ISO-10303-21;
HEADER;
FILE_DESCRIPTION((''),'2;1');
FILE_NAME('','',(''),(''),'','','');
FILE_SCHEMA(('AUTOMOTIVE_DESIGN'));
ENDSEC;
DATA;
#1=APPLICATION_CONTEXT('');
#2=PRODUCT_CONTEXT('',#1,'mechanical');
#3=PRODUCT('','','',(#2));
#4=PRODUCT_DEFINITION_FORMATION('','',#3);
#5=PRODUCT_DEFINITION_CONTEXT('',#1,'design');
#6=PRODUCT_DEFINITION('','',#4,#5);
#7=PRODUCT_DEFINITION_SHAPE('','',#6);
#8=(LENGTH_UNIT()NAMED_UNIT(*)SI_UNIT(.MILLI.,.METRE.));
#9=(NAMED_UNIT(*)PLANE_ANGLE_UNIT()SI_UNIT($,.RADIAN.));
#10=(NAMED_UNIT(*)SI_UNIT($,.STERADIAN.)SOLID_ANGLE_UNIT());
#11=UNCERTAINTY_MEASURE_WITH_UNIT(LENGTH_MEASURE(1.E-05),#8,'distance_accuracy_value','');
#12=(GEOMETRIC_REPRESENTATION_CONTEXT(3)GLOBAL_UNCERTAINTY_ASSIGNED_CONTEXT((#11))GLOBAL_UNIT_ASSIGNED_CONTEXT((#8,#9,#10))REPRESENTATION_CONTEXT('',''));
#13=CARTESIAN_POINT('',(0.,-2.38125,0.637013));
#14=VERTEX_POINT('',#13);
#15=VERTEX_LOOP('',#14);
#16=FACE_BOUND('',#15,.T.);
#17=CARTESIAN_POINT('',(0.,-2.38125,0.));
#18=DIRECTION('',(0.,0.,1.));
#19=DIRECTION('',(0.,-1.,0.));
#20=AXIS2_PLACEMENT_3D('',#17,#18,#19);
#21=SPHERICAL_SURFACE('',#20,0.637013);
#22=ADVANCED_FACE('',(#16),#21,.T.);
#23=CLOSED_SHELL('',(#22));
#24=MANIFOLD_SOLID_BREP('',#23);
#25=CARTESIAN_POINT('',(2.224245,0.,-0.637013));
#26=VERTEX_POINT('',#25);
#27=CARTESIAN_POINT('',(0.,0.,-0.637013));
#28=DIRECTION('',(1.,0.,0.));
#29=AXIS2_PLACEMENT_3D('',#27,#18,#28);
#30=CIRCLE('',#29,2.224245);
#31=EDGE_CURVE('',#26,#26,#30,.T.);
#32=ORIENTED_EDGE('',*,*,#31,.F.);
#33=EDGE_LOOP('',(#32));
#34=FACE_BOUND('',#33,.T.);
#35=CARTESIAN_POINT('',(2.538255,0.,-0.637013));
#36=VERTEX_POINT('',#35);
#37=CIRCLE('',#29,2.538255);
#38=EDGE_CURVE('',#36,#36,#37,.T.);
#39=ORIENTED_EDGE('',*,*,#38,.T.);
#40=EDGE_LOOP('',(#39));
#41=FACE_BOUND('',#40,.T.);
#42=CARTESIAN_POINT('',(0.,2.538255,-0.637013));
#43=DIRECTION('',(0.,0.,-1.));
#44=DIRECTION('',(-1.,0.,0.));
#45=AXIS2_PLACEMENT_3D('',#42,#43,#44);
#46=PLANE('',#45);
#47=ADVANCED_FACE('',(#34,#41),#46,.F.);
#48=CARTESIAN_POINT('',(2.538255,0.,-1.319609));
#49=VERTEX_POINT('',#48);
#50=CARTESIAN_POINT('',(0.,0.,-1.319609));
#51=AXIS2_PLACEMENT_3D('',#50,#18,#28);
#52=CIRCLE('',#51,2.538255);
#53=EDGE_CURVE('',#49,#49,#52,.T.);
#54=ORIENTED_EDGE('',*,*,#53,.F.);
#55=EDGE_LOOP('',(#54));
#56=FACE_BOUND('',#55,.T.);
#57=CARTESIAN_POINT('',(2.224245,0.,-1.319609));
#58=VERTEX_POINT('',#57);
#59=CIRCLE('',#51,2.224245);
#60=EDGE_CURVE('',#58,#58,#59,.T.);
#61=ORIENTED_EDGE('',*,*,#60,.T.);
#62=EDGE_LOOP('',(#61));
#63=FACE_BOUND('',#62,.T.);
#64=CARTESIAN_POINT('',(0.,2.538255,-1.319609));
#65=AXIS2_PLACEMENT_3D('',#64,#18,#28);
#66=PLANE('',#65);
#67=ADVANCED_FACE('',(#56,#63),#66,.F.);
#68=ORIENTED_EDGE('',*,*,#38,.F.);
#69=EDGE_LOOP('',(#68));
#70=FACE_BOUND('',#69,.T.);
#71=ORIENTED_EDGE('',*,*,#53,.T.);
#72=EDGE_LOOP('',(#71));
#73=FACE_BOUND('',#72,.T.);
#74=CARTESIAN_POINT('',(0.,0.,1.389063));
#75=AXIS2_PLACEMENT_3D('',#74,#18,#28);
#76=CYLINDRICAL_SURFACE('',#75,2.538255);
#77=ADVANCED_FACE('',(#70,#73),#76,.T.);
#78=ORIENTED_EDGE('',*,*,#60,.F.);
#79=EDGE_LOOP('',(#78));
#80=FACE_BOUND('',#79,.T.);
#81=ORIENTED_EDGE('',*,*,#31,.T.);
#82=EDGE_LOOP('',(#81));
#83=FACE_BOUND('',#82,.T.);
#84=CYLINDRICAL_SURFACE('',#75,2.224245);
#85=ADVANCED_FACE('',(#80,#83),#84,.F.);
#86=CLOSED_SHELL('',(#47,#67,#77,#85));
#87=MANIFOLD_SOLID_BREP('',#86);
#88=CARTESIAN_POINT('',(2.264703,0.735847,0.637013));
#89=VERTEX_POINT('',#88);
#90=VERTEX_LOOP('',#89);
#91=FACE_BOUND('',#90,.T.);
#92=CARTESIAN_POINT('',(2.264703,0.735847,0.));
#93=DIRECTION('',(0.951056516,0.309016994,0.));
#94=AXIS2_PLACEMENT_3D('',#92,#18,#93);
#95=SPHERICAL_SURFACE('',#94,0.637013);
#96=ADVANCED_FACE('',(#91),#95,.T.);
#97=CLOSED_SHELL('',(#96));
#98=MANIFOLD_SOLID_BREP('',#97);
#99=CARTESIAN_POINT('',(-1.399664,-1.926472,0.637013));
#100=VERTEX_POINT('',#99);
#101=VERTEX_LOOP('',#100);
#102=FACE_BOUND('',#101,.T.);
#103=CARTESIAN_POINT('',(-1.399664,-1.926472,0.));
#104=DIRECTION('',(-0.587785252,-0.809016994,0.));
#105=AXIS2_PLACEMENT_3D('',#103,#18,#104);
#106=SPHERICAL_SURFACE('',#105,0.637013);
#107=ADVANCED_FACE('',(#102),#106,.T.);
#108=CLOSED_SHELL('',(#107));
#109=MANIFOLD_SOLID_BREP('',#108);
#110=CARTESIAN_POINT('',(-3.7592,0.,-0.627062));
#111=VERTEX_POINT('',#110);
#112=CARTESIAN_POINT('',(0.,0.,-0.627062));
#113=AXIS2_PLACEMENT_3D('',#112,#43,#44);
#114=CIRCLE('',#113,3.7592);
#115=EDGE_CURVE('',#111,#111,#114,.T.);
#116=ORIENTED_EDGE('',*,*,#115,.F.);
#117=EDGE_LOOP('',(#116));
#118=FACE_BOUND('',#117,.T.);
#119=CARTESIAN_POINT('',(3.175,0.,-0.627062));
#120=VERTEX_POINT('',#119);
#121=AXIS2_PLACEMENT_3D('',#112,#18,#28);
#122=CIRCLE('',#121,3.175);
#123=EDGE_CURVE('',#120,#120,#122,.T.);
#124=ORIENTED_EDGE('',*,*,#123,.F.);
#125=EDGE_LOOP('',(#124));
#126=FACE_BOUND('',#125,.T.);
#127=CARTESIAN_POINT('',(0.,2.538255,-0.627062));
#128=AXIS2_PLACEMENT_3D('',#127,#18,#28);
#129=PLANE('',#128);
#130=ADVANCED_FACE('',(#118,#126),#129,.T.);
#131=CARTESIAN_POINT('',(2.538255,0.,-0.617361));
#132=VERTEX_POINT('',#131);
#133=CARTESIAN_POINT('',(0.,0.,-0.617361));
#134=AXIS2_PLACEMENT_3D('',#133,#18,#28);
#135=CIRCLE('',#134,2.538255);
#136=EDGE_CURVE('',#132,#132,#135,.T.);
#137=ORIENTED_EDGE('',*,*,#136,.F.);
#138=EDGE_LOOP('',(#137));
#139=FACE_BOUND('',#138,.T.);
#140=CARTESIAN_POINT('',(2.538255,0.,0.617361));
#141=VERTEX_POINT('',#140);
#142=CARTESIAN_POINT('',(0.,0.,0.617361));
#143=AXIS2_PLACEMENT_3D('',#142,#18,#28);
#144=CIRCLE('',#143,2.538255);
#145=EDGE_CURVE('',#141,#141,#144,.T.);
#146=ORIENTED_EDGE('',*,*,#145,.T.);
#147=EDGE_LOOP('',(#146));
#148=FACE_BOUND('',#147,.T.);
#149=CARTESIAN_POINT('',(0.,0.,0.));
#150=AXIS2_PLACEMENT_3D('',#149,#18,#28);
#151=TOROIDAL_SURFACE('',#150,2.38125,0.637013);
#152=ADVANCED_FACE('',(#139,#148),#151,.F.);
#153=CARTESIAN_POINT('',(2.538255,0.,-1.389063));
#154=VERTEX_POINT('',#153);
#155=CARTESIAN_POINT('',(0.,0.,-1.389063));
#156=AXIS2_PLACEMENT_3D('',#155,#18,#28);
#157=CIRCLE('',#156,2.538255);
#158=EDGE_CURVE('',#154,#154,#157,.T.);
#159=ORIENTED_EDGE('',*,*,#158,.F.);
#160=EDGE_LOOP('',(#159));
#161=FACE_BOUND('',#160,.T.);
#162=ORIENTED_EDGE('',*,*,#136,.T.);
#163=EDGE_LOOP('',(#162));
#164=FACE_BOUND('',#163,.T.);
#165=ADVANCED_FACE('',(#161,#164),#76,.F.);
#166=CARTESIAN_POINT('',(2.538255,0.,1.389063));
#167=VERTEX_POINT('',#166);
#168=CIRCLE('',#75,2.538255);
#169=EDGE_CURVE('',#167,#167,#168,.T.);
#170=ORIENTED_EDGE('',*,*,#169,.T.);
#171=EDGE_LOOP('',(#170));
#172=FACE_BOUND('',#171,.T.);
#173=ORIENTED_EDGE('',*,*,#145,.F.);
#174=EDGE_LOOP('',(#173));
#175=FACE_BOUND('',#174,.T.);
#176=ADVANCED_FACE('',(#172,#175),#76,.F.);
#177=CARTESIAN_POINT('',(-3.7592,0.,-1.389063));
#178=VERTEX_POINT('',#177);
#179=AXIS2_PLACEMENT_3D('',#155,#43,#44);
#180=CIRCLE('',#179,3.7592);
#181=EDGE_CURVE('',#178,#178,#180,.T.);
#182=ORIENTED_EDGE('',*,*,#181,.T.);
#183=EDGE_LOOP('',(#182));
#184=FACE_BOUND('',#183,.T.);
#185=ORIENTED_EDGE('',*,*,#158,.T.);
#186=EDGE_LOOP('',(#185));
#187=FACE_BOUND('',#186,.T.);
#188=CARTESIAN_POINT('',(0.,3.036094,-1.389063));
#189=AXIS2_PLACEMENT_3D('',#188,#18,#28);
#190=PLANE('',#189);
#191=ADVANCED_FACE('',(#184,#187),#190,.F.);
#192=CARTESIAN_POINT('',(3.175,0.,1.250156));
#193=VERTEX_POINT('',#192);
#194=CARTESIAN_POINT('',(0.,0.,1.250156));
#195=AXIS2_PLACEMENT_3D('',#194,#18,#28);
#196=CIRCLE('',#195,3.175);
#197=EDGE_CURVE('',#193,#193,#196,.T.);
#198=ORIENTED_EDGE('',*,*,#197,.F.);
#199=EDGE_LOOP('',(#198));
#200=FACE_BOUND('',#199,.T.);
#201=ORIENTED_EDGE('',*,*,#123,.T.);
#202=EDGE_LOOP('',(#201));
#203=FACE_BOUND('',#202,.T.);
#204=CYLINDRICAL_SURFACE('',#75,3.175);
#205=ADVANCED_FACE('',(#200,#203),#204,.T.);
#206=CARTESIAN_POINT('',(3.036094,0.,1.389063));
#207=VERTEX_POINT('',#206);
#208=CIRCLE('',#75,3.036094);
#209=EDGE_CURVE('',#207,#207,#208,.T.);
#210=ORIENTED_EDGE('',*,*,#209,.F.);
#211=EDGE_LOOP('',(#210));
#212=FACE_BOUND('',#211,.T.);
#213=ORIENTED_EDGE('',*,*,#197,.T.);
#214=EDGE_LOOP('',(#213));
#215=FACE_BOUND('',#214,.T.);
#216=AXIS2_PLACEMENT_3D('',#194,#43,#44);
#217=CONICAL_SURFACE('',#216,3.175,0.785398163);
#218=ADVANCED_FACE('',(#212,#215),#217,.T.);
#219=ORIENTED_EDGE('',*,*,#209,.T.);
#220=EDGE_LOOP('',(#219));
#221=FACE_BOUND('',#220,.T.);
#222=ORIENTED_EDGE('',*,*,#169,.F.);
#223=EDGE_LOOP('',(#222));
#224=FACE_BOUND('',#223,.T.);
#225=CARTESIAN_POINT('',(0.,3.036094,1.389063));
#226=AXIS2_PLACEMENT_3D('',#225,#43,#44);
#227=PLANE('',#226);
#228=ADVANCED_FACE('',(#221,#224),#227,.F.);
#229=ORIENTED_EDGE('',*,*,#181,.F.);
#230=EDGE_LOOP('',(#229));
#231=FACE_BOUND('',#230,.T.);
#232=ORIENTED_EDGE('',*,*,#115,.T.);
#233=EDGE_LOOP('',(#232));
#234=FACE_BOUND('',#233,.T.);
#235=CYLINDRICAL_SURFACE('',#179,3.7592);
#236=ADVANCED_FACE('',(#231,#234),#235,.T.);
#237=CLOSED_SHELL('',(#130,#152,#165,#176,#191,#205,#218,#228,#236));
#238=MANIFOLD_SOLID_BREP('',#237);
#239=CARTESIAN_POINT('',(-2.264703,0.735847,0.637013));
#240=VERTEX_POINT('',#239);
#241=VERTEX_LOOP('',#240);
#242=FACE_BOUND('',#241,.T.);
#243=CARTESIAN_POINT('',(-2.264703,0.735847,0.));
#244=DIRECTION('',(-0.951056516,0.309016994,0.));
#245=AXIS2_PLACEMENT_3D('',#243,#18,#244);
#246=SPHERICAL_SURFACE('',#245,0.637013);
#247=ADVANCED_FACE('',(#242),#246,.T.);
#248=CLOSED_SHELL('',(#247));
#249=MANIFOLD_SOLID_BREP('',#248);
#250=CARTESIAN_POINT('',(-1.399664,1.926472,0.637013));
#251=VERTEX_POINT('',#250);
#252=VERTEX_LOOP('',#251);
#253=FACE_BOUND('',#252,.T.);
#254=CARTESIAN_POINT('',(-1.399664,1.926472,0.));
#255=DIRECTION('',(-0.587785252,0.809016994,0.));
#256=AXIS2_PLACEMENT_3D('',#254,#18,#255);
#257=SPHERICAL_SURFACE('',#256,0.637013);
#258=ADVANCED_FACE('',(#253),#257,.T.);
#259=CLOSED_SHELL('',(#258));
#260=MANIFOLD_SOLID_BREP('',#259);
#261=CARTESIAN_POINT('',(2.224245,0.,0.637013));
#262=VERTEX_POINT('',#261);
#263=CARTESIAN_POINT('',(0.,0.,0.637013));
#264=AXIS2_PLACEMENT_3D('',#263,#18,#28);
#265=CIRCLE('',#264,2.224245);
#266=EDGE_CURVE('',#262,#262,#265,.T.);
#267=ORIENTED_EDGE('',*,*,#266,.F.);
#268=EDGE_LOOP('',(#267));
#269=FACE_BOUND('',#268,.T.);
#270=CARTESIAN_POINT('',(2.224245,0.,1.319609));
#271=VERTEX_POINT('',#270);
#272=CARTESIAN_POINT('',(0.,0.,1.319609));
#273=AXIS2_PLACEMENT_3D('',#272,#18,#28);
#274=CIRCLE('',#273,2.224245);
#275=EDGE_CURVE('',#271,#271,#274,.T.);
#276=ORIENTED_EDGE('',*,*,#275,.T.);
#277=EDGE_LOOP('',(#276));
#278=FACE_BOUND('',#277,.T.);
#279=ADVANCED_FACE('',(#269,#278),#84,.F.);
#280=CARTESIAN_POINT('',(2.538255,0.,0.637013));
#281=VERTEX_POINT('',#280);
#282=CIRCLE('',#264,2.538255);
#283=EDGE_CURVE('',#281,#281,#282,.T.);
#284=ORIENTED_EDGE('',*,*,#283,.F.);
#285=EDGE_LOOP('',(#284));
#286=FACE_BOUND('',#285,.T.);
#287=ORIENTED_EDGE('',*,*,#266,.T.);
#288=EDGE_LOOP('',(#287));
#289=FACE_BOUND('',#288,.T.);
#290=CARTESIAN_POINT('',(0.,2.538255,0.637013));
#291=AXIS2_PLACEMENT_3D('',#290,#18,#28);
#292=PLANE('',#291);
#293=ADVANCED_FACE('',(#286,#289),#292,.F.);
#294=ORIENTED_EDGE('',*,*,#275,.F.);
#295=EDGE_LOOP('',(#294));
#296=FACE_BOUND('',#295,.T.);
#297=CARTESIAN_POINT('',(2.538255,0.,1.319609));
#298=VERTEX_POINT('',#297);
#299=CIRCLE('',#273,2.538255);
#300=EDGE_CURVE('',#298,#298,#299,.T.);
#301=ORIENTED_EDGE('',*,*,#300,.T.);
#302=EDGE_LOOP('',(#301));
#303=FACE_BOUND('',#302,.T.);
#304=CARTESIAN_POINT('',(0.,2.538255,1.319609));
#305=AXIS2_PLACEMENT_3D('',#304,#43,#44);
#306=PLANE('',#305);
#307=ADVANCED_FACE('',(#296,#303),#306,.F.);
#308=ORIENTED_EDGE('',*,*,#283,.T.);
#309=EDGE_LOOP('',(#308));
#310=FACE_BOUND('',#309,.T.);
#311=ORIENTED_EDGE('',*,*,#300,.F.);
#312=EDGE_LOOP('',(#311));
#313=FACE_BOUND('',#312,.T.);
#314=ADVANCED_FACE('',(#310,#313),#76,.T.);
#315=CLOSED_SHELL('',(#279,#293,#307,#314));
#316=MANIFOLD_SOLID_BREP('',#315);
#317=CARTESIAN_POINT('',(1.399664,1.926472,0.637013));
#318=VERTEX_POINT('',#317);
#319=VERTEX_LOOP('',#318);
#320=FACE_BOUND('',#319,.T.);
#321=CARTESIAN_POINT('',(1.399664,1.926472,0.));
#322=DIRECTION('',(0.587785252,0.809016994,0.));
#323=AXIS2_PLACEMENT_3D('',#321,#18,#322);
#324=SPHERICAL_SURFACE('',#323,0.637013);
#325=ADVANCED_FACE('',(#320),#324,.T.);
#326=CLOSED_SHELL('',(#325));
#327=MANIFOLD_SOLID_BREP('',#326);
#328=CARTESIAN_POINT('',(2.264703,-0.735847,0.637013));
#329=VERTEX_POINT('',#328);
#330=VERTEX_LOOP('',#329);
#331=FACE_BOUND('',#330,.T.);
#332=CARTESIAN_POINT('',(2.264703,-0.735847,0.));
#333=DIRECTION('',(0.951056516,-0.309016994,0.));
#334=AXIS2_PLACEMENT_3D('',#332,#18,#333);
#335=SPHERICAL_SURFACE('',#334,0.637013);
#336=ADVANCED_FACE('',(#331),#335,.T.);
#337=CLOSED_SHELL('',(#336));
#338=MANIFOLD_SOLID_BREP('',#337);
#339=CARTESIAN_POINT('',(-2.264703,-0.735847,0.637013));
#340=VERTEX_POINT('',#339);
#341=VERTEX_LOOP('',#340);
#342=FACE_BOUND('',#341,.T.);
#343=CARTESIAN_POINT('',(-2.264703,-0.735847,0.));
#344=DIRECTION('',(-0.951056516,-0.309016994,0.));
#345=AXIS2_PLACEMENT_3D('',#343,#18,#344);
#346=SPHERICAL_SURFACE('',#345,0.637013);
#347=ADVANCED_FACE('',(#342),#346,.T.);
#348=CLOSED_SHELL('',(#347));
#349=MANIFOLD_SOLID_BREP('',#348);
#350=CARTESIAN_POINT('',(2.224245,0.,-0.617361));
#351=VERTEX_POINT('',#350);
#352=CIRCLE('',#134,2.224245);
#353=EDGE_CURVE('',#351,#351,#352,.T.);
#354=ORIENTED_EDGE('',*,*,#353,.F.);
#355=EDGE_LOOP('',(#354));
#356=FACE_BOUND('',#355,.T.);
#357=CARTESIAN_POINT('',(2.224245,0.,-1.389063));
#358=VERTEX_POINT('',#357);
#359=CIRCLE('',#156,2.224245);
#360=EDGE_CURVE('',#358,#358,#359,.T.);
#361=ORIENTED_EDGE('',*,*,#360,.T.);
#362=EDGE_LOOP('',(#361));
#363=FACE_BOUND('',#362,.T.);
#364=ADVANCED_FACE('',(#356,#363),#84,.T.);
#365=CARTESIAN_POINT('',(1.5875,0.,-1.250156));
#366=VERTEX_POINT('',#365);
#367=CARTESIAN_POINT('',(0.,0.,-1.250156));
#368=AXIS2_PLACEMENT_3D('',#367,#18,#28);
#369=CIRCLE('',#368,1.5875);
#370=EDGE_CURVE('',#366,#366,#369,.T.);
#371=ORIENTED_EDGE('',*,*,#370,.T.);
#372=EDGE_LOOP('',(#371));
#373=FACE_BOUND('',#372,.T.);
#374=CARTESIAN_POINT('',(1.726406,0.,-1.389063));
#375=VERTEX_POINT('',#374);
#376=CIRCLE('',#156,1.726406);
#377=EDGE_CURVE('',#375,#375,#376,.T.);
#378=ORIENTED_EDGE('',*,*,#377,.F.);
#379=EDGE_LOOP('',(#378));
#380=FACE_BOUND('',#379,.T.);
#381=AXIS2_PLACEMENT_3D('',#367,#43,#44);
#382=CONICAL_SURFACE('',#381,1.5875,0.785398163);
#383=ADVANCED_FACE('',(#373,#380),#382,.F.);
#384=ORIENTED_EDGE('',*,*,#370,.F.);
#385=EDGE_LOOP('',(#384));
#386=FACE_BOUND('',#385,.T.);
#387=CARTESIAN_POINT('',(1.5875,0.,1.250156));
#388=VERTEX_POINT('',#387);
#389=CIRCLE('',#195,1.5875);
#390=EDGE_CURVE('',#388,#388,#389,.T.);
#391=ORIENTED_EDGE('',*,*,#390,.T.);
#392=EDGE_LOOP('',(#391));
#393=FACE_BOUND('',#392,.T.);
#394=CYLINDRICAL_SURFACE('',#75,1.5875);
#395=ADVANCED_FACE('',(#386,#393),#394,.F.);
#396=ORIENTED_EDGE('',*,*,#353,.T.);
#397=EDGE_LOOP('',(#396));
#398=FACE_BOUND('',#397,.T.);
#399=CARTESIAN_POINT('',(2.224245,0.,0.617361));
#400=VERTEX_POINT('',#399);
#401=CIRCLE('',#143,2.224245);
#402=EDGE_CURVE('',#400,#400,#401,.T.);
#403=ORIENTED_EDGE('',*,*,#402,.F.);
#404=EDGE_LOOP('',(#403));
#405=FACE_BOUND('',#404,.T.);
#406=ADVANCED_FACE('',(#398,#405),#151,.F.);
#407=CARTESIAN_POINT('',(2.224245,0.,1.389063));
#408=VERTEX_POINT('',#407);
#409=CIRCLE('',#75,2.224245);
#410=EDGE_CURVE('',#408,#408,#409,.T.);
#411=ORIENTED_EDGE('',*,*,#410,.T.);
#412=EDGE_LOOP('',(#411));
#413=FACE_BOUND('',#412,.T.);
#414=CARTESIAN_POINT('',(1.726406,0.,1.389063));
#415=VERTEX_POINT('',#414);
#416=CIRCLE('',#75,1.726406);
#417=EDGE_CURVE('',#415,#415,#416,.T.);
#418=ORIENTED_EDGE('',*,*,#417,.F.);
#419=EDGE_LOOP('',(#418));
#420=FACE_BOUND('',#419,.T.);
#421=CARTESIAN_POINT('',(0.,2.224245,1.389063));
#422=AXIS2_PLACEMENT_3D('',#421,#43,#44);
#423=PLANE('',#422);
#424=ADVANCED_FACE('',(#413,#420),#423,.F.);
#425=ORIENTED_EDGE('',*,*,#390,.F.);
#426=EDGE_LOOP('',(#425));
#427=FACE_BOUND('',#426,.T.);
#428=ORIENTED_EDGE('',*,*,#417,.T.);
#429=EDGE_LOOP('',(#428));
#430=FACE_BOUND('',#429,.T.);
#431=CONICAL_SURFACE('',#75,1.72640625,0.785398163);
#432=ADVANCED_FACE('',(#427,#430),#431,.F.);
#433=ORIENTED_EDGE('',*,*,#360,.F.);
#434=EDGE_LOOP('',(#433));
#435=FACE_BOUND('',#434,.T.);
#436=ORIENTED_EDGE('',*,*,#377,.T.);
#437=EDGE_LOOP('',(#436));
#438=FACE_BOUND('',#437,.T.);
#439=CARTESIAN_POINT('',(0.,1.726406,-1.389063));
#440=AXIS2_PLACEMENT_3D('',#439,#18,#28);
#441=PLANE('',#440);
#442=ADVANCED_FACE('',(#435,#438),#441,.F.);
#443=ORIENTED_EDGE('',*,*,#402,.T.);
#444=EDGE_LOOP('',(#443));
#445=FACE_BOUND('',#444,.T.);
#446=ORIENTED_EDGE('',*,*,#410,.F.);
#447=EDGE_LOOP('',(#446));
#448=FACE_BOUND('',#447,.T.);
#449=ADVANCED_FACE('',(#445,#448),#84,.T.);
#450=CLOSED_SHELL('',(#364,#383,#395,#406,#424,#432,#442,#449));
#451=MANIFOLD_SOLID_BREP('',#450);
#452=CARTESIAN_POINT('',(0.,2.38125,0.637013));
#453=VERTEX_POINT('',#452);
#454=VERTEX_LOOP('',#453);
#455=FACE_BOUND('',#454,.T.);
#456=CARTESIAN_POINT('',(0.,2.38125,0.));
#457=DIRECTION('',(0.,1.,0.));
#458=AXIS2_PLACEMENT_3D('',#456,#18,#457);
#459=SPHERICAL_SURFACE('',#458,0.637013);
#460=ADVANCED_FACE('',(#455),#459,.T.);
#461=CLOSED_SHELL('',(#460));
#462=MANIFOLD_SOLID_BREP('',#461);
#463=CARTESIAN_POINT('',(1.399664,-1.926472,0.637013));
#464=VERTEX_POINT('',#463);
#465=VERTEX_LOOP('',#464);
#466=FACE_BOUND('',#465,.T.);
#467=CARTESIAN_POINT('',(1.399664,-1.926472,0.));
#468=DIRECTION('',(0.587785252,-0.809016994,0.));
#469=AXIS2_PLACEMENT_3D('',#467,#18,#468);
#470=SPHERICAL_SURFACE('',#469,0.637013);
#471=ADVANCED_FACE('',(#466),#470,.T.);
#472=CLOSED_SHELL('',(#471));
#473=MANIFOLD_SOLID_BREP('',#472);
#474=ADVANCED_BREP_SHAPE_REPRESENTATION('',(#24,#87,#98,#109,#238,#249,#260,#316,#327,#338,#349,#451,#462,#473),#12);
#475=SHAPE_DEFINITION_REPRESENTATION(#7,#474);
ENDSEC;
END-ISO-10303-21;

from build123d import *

# Parameters (mm, degrees)
CIRPATTERN1_COUNT = 10
SKETCH5_W         = 0.68259645
SKETCH5_H         = 0.31401099
SKETCH6_W         = 0.762
SKETCH6_H         = 1.220944505


with BuildPart() as part:
    # Sketch → Revolve1 (revolve)
    with BuildSketch(Plane(origin=(0, 0, 0), x_dir=(0, 0, -1), z_dir=(1, 0, 0))):
        with BuildLine():
            Line((1.25015625, 3.175), (-1.25015625, 3.175))
            Line((-1.25015625, 3.175), (-1.3890625, 3.03609375))
            Line((-1.3890625, 3.03609375), (-1.3890625, 2.538255495))
            Line((-1.3890625, 2.538255495), (-0.617361111, 2.538255495))
            ThreePointArc((-0.617361111, 2.538255495), (0, 3.018262925), (0.617361111, 2.538255495))
            Line((0.617361111, 2.538255495), (1.3890625, 2.538255495))
            Line((1.3890625, 2.538255495), (1.3890625, 3.03609375))
            Line((1.3890625, 3.03609375), (1.25015625, 3.175))
        make_face()
    revolve(axis=Axis((0, 0, 1.3890625), (0, 0, -1)))

    # Sketch6 → Revolve6 (revolve)
    with BuildSketch(Plane(origin=(0, 0, 0), x_dir=(0, 0, -1), z_dir=(1, 0, 0))):
        with Locations((1.0080625, 3.148727748)):
            Rectangle(SKETCH6_W, SKETCH6_H)
    revolve(axis=Axis((0, 0, -1.3890625), (0, 0, 1)))


with BuildPart() as body_2:
    # Sketch3 → Revolve3 (revolve)
    with BuildSketch(Plane(origin=(0, 0, 0), x_dir=(0, 0, -1), z_dir=(1, 0, 0))):
        with BuildLine():
            Line((-1.3890625, 2.224244505), (-0.617361111, 2.224244505))
            ThreePointArc((-0.617361111, 2.224244505), (0, 1.744237075), (0.617361111, 2.224244505))
            Line((0.617361111, 2.224244505), (1.3890625, 2.224244505))
            Line((1.3890625, 2.224244505), (1.3890625, 1.72640625))
            Line((1.3890625, 1.72640625), (1.25015625, 1.5875))
            Line((1.25015625, 1.5875), (-1.25015625, 1.5875))
            Line((-1.25015625, 1.5875), (-1.3890625, 1.72640625))
            Line((-1.3890625, 1.72640625), (-1.3890625, 2.224244505))
        make_face()
    revolve(axis=Axis((0, 0, 1.3890625), (0, 0, -1)))


with BuildPart() as body_3:
    # Sketch4 → Revolve4 (revolve)
    with BuildSketch(Plane(origin=(0, 0, 0), x_dir=(0, 0, -1), z_dir=(1, 0, 0))):
        with BuildLine():
            Line((-0.637012925, 2.38125), (0.637012925, 2.38125))
            ThreePointArc((0.637012925, 2.38125), (0, 3.018262925), (-0.637012925, 2.38125))
        make_face()
    revolve(axis=Axis((0, 2.38125, 0.637012925), (0, 0, -1)))


with BuildPart() as cirpattern1_1:
    # CirPattern1: pattern copy
    add(body_3.part.rotate(Axis((0, 0, -1.3890625), (0, 0, 1)), 1 * 360 / CIRPATTERN1_COUNT))


with BuildPart() as cirpattern1_2:
    # CirPattern1: pattern copy
    add(body_3.part.rotate(Axis((0, 0, -1.3890625), (0, 0, 1)), 2 * 360 / CIRPATTERN1_COUNT))


with BuildPart() as cirpattern1_3:
    # CirPattern1: pattern copy
    add(body_3.part.rotate(Axis((0, 0, -1.3890625), (0, 0, 1)), 3 * 360 / CIRPATTERN1_COUNT))


with BuildPart() as cirpattern1_4:
    # CirPattern1: pattern copy
    add(body_3.part.rotate(Axis((0, 0, -1.3890625), (0, 0, 1)), 4 * 360 / CIRPATTERN1_COUNT))


with BuildPart() as cirpattern1_5:
    # CirPattern1: pattern copy
    add(body_3.part.rotate(Axis((0, 0, -1.3890625), (0, 0, 1)), 5 * 360 / CIRPATTERN1_COUNT))


with BuildPart() as cirpattern1_6:
    # CirPattern1: pattern copy
    add(body_3.part.rotate(Axis((0, 0, -1.3890625), (0, 0, 1)), 6 * 360 / CIRPATTERN1_COUNT))


with BuildPart() as cirpattern1_7:
    # CirPattern1: pattern copy
    add(body_3.part.rotate(Axis((0, 0, -1.3890625), (0, 0, 1)), 7 * 360 / CIRPATTERN1_COUNT))


with BuildPart() as cirpattern1_8:
    # CirPattern1: pattern copy
    add(body_3.part.rotate(Axis((0, 0, -1.3890625), (0, 0, 1)), 8 * 360 / CIRPATTERN1_COUNT))


with BuildPart() as cirpattern1_9:
    # CirPattern1: pattern copy
    add(body_3.part.rotate(Axis((0, 0, -1.3890625), (0, 0, 1)), 9 * 360 / CIRPATTERN1_COUNT))


with BuildPart() as body_13:
    # Sketch5 → Revolve5 (revolve)
    with BuildSketch(Plane(origin=(0, 0, 0), x_dir=(0, 0, -1), z_dir=(1, 0, 0))):
        with Locations((-0.97831115, 2.38125)):
            Rectangle(SKETCH5_W, SKETCH5_H)
        with Locations((0.97831115, 2.38125)):
            Rectangle(SKETCH5_W, SKETCH5_H)
    revolve(axis=Axis((0, 0, 1.3890625), (0, 0, -1)))


solid = Compound([part.part, body_2.part, body_3.part, cirpattern1_1.part, cirpattern1_2.part, cirpattern1_3.part, cirpattern1_4.part, cirpattern1_5.part, cirpattern1_6.part, cirpattern1_7.part, cirpattern1_8.part, cirpattern1_9.part, body_13.part])
